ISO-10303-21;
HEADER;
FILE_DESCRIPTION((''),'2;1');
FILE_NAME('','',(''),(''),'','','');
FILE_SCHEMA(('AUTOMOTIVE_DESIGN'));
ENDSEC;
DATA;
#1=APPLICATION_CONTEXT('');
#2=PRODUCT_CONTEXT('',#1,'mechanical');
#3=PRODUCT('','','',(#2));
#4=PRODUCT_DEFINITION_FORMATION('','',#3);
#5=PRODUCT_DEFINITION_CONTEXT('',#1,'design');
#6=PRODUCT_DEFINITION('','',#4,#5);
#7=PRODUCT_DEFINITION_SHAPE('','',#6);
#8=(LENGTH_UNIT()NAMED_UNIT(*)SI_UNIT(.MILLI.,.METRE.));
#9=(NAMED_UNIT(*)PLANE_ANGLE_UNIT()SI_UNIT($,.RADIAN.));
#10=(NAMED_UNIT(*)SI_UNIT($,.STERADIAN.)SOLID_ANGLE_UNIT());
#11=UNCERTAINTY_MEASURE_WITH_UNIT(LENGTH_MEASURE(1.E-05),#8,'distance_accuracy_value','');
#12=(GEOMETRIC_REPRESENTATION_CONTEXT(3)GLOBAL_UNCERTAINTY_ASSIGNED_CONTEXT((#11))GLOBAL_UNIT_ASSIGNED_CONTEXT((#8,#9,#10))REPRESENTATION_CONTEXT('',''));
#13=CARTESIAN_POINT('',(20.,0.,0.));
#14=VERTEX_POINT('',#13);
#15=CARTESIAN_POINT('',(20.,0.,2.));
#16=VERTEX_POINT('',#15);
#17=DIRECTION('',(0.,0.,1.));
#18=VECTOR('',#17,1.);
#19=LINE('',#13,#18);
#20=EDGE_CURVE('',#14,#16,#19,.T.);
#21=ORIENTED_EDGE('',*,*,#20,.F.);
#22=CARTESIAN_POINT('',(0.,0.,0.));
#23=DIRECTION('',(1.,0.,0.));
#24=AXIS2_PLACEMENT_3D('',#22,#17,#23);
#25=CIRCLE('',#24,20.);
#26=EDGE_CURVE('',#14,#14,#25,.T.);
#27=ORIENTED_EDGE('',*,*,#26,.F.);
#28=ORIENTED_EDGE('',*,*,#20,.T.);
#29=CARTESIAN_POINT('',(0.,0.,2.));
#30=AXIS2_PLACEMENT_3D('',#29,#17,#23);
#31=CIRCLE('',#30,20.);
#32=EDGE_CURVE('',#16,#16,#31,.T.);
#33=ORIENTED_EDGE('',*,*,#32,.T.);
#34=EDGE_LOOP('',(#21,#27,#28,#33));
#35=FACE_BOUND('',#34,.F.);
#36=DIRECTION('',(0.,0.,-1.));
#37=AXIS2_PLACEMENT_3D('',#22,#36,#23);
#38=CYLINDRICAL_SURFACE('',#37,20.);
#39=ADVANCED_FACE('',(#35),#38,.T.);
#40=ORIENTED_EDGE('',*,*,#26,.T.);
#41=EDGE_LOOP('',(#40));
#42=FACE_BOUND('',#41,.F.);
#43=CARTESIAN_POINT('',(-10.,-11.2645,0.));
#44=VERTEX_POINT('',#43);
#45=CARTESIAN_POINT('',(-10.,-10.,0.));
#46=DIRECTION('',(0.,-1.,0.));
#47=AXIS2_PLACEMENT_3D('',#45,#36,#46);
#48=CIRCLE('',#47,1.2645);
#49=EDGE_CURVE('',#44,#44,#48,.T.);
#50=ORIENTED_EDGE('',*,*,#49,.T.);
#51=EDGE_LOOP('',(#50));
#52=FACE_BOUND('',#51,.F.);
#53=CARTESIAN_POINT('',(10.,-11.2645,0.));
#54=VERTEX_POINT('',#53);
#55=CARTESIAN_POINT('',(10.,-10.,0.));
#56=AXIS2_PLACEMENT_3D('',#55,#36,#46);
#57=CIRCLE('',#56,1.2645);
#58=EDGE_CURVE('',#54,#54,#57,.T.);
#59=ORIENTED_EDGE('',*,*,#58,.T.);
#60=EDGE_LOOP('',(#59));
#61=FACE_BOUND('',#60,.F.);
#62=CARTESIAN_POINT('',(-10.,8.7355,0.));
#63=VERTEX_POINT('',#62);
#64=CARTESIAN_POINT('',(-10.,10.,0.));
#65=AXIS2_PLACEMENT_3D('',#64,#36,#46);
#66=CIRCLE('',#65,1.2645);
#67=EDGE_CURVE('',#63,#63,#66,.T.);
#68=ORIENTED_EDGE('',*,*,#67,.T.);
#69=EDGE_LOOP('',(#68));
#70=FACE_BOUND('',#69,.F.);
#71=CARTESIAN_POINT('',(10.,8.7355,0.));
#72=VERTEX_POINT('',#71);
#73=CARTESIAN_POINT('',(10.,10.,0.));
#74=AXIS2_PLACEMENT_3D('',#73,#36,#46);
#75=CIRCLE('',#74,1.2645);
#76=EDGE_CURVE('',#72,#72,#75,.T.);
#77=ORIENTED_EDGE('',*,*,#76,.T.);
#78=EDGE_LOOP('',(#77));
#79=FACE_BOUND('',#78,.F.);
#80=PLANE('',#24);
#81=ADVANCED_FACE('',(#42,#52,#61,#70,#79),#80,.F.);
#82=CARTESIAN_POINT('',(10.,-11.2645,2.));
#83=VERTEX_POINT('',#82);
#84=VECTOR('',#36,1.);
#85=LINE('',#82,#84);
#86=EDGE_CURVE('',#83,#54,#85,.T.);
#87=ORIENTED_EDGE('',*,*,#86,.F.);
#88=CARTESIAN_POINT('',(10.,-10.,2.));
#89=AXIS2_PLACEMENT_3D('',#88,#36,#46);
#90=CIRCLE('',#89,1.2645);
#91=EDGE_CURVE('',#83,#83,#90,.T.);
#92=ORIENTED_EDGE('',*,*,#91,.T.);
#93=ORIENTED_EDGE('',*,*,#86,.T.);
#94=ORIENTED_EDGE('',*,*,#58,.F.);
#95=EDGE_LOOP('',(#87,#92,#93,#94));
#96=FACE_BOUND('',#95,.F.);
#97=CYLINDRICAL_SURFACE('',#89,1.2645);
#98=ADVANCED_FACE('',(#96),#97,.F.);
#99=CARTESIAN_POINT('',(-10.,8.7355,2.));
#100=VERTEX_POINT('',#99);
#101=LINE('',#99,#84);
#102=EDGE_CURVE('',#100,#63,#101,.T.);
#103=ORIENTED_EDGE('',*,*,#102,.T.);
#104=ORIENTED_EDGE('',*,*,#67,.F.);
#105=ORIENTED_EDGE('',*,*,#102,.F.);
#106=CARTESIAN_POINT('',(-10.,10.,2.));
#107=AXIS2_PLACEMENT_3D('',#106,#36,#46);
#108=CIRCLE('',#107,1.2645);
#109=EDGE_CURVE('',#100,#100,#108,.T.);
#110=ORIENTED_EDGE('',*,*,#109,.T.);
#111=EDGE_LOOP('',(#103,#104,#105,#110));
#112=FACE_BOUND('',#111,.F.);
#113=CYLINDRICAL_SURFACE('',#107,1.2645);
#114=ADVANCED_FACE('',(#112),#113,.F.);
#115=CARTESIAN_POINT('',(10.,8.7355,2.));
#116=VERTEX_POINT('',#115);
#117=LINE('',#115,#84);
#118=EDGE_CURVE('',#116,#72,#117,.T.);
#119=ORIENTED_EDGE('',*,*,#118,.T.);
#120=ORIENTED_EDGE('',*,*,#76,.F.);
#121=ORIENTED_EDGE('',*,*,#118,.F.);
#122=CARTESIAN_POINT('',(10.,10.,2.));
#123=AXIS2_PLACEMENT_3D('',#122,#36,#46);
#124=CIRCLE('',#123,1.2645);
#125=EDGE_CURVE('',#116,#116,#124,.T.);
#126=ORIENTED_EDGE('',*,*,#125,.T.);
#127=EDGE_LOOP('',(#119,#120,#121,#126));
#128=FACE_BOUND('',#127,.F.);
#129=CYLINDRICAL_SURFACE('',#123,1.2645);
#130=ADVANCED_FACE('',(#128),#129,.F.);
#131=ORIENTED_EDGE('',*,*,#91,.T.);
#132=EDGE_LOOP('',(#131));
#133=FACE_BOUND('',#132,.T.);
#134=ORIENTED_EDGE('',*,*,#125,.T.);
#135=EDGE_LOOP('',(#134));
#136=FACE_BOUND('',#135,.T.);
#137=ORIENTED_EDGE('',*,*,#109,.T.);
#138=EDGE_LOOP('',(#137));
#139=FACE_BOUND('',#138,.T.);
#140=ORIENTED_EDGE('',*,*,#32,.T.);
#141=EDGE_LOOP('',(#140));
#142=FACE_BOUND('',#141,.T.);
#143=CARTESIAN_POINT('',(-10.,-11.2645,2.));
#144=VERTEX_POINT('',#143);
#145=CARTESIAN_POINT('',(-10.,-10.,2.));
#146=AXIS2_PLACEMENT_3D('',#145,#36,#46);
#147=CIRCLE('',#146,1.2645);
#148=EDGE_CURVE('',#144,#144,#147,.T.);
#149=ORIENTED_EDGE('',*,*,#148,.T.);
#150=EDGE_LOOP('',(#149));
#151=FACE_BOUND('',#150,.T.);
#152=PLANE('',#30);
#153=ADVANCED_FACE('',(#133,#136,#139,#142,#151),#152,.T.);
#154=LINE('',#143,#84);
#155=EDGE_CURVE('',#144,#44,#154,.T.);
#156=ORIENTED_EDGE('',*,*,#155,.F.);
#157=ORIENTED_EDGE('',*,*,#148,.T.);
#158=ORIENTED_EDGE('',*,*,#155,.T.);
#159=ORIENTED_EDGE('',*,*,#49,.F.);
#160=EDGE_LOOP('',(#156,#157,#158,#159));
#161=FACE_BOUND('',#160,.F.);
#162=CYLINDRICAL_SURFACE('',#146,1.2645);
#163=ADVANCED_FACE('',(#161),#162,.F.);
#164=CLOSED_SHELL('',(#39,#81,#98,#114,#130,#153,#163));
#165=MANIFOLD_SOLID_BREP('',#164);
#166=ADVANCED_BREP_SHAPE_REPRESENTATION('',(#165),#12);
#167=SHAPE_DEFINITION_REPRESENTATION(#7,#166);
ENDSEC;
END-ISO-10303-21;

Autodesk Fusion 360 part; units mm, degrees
sketch "Sketch1" plane through (0, 0, 0) normal (0, 0, 1) x (1, 0, 0)
  circle A0 centre (0, 0) radius 20
  dimension "d1" = 40
extrude "Extrude1" add sketch "Sketch1" along normal blind 2
sketch "Sketch2" plane through (0, 0, 2) normal (0, 0, 1) x (-1, 0, 0)
  circle A0 centre (0, 0) radius 20
  line L0 (10, -10) -> (-10, -10) construction
  line L1 (-10, -10) -> (-10, 10) construction
  line L2 (-10, 10) -> (10, 10) construction
  line L3 (10, 10) -> (10, -10) construction
  circle A1 centre (10, -10) radius 1.5
  circle A2 centre (-10, -10) radius 1.5
  circle A3 centre (10, 10) radius 1.5
  circle A4 centre (-10, 10) radius 1.5
  dimension "d4" = 10
  dimension "d5" = 10
  dimension "d6" = 3
  dimension "d7" = 3
  dimension "d8" = 3
  dimension "d9" = 3
hole "Hole1" at (-10, -10, 2) at (-10, 10, 2) at (10, 10, 2) at (10, -10, 2) direction (0, 0, -1) diameter 2.529 depth 2 tip angle 118
